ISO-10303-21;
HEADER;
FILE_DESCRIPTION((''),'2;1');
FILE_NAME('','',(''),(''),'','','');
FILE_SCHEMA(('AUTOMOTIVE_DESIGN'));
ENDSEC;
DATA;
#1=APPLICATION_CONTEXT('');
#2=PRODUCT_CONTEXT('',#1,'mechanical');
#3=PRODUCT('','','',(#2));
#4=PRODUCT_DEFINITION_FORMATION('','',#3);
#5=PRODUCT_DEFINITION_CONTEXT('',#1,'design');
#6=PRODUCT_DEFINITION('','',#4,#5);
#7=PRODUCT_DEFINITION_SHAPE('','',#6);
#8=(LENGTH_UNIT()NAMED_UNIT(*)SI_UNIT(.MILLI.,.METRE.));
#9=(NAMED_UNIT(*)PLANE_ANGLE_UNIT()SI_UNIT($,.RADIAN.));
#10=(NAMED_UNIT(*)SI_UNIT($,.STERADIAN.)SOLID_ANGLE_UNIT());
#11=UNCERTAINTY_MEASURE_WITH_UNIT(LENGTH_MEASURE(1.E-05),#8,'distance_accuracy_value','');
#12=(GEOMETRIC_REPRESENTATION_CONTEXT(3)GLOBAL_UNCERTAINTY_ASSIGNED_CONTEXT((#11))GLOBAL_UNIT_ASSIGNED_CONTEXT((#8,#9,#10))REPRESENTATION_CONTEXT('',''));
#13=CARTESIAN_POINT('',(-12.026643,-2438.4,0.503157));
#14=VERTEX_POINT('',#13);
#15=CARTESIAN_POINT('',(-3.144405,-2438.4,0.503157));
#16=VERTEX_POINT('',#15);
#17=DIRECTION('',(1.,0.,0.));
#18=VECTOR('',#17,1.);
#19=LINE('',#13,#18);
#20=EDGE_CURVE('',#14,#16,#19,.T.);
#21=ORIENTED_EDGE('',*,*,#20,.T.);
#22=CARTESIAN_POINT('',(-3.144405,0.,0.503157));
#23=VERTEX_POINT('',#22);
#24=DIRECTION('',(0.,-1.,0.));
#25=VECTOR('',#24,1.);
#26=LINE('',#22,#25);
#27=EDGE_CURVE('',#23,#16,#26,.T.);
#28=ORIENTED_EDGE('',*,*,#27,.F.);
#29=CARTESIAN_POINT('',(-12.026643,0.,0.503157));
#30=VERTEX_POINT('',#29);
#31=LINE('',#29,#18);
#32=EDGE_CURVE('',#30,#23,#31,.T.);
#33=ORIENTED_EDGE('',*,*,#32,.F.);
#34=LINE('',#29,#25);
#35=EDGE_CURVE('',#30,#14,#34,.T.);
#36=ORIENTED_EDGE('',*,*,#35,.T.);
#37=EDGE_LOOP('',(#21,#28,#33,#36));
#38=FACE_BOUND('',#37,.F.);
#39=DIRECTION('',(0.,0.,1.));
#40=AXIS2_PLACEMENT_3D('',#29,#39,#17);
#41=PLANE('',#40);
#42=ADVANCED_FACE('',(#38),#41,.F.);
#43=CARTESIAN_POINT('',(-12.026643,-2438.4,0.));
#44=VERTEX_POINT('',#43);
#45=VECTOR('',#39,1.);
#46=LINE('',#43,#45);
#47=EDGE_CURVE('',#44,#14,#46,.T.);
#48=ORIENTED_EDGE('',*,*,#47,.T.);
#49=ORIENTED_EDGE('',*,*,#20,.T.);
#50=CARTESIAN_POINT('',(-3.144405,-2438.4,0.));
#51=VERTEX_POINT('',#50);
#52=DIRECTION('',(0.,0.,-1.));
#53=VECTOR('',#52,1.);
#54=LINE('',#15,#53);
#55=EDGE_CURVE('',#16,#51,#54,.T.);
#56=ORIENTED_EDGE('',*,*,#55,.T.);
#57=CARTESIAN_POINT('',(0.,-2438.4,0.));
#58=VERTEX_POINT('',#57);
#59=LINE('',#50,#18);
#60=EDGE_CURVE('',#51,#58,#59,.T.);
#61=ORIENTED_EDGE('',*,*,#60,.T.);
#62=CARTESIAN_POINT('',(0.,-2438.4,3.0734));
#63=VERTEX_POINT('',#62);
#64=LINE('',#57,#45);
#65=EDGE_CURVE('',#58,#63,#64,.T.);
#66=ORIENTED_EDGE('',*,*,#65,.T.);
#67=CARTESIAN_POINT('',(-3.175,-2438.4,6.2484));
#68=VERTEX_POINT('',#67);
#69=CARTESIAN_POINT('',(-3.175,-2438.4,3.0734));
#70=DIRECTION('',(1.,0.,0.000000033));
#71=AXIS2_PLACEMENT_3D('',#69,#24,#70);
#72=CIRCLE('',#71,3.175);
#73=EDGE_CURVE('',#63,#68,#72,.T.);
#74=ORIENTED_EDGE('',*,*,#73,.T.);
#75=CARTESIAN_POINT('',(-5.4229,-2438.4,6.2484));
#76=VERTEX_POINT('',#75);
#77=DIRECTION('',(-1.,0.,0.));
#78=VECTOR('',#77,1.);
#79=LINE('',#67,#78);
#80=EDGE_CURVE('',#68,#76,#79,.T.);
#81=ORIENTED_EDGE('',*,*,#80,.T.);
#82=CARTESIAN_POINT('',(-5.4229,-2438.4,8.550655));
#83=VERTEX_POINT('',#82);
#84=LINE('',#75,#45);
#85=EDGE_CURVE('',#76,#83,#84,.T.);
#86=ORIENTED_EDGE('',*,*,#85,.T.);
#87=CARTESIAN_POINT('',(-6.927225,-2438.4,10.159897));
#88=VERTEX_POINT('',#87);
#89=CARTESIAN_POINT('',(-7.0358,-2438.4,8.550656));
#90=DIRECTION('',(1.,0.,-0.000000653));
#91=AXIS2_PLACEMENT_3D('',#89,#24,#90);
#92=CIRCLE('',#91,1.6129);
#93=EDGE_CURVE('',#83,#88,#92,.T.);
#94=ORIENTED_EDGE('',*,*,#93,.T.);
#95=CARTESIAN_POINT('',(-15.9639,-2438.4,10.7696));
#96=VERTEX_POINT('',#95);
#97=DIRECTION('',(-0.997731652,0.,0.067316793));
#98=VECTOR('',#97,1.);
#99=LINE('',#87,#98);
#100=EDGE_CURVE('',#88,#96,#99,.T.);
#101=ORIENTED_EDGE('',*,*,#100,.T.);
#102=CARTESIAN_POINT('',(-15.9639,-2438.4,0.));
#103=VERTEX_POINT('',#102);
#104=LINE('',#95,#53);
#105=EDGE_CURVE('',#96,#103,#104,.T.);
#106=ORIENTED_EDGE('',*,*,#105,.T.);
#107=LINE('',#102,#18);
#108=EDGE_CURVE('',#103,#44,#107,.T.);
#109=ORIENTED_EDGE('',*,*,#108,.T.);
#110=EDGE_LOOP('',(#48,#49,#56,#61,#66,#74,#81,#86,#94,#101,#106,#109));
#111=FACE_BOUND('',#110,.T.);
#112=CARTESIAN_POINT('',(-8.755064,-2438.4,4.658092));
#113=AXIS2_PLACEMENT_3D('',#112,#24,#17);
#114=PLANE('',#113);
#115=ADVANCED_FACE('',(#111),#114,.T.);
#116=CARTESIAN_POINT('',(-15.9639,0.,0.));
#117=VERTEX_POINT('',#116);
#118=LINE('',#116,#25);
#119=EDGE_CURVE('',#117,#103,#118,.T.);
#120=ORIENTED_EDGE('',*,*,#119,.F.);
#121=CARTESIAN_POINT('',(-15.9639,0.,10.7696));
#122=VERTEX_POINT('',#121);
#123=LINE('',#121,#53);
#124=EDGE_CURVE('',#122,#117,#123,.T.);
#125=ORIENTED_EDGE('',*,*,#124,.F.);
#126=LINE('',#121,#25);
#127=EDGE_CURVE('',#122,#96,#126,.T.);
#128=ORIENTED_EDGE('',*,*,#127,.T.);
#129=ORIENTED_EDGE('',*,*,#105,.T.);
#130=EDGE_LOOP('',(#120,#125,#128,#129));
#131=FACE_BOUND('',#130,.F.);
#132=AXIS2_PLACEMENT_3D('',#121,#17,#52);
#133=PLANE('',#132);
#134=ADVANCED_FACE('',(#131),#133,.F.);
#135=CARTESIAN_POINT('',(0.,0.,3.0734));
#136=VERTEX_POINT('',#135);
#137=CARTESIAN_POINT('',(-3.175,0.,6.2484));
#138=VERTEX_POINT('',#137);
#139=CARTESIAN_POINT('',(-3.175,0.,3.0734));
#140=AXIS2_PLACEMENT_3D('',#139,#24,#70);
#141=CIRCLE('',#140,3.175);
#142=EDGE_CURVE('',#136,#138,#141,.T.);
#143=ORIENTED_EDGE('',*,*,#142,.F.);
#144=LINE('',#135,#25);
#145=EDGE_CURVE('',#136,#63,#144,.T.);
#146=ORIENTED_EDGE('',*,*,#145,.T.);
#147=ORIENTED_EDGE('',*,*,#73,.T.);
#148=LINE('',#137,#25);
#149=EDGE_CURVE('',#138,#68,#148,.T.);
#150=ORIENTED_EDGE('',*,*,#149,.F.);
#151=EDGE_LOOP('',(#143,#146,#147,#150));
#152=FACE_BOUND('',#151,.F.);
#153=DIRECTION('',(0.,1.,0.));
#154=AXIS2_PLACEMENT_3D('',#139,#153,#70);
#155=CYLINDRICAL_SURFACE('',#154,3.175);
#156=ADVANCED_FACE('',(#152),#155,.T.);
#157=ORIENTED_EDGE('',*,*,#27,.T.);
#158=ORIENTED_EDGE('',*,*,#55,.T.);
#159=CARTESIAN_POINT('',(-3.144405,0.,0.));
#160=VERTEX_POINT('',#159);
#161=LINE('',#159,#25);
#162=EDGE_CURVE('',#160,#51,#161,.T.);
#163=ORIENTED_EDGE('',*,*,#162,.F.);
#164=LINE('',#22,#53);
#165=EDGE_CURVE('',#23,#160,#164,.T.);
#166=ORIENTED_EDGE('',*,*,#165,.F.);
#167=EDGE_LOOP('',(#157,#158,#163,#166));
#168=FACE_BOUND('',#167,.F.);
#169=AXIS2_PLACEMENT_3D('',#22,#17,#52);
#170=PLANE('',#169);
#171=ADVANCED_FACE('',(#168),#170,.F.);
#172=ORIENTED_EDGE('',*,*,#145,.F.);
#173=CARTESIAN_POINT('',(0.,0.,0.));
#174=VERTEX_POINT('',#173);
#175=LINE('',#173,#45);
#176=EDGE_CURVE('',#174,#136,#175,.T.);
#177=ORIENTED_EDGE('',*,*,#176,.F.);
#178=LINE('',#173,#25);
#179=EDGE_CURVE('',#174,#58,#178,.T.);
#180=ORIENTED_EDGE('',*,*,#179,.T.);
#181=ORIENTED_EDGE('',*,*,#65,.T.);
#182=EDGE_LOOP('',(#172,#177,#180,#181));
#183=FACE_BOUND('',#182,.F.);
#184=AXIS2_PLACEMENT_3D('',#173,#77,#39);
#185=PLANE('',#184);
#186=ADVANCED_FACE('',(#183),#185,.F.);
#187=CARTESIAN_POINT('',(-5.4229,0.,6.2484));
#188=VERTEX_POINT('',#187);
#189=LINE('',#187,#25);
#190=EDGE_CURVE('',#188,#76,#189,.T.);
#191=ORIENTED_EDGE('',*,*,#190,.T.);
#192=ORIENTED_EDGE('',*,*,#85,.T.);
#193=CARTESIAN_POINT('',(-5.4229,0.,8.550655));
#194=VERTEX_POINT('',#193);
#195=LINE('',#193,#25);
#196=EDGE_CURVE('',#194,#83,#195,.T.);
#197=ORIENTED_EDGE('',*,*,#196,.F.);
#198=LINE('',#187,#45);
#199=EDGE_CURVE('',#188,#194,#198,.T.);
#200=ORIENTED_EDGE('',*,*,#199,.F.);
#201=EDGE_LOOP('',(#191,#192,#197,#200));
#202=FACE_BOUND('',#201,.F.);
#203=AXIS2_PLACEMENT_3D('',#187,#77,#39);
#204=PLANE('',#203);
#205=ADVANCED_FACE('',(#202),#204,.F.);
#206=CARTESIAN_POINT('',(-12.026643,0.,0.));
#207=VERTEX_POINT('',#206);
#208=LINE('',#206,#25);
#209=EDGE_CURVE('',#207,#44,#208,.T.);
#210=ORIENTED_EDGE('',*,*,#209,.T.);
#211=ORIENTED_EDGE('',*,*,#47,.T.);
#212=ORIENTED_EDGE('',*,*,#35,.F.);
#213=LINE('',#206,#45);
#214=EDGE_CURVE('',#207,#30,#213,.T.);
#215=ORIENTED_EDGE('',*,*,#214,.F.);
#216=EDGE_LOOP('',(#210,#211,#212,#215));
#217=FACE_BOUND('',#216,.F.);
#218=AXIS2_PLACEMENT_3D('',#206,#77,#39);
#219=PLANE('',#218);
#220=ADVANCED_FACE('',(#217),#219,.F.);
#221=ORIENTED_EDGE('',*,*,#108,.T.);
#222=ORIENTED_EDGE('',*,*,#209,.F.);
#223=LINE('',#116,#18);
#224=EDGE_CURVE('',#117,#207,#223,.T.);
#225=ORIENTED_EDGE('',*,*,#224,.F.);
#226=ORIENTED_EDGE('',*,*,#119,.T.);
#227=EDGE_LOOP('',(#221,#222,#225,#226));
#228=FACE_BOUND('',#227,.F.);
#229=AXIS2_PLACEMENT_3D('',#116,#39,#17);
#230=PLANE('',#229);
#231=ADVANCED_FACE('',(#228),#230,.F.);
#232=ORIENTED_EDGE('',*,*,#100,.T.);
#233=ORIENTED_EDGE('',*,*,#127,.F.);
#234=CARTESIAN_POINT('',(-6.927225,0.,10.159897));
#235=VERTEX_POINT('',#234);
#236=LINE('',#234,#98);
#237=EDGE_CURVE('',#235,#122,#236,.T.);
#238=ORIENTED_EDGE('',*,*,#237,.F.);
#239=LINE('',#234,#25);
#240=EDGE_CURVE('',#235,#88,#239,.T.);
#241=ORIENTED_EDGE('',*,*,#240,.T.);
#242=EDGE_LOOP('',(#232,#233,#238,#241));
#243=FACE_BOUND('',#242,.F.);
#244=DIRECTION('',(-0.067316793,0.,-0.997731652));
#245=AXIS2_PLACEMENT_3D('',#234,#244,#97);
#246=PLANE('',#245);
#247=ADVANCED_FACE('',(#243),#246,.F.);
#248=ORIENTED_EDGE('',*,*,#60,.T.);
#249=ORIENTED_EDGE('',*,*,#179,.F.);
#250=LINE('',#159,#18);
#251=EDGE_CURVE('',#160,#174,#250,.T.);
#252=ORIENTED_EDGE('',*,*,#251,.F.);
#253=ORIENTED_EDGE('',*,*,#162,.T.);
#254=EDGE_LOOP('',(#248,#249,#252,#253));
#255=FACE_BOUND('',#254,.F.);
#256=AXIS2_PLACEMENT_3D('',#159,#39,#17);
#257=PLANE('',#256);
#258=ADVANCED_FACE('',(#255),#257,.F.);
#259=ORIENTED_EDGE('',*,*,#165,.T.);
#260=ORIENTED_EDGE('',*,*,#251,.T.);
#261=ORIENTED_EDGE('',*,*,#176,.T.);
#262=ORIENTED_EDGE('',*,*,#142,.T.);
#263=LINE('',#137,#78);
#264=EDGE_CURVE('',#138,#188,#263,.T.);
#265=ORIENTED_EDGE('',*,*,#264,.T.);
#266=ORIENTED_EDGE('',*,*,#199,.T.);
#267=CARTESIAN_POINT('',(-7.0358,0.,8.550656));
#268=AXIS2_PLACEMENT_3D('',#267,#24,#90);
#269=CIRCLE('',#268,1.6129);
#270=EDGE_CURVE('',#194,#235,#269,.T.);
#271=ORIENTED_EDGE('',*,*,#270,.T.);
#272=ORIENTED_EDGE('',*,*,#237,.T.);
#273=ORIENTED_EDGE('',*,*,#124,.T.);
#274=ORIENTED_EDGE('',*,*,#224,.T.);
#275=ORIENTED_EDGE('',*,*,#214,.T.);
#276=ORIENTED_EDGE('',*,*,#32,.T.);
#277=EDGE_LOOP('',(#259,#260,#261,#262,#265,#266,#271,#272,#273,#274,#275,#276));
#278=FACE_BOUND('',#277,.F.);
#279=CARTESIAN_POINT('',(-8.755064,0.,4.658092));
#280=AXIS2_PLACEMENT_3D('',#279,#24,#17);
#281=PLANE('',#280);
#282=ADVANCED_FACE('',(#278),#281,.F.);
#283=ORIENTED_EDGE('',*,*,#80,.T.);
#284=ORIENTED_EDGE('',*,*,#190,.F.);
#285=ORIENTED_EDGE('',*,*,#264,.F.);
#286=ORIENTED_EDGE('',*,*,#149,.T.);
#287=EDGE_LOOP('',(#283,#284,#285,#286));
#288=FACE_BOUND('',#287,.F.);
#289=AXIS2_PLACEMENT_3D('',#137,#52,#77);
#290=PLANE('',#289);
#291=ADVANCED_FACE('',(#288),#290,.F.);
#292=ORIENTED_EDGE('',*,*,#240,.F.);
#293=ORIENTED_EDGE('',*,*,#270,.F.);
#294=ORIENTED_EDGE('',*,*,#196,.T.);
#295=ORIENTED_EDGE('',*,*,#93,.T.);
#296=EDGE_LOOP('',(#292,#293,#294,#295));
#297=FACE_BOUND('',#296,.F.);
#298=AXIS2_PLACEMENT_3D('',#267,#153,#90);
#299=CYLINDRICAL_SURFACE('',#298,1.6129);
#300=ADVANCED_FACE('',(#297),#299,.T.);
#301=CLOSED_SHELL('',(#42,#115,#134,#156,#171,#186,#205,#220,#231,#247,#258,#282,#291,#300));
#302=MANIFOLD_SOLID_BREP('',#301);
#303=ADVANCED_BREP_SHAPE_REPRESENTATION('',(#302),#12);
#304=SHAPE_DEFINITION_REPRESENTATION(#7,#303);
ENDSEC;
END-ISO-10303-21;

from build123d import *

# Parameters (mm, degrees)
F1_DEPTH = 2438.4


with BuildPart() as f1:
    # F0 (on Front) → F1 (new body)
    with BuildSketch(Plane.XZ):
        with BuildLine():
            Line((-3.144405, 0), (0, 0))
            Line((0, 0), (0, 3.0734))
            ThreePointArc((0, 3.0734), (-0.929936, 5.318464), (-3.175, 6.2484))
            Line((-3.175, 6.2484), (-5.4229, 6.2484))
            Line((-5.4229, 6.2484), (-5.4229, 8.550655))
            ThreePointArc((-5.4229, 8.550655), (-5.857545, 9.652092), (-6.927225, 10.159897))
            Line((-6.927225, 10.159897), (-15.9639, 10.7696))
            Line((-15.9639, 10.7696), (-15.9639, 0))
            Line((-15.9639, 0), (-12.026643, 0))
            Line((-12.026643, 0), (-12.026643, 0.503157))
            Line((-12.026643, 0.503157), (-3.144405, 0.503157))
            Line((-3.144405, 0.503157), (-3.144405, 0))
        make_face()
    extrude(amount=F1_DEPTH)


solid = f1.part
